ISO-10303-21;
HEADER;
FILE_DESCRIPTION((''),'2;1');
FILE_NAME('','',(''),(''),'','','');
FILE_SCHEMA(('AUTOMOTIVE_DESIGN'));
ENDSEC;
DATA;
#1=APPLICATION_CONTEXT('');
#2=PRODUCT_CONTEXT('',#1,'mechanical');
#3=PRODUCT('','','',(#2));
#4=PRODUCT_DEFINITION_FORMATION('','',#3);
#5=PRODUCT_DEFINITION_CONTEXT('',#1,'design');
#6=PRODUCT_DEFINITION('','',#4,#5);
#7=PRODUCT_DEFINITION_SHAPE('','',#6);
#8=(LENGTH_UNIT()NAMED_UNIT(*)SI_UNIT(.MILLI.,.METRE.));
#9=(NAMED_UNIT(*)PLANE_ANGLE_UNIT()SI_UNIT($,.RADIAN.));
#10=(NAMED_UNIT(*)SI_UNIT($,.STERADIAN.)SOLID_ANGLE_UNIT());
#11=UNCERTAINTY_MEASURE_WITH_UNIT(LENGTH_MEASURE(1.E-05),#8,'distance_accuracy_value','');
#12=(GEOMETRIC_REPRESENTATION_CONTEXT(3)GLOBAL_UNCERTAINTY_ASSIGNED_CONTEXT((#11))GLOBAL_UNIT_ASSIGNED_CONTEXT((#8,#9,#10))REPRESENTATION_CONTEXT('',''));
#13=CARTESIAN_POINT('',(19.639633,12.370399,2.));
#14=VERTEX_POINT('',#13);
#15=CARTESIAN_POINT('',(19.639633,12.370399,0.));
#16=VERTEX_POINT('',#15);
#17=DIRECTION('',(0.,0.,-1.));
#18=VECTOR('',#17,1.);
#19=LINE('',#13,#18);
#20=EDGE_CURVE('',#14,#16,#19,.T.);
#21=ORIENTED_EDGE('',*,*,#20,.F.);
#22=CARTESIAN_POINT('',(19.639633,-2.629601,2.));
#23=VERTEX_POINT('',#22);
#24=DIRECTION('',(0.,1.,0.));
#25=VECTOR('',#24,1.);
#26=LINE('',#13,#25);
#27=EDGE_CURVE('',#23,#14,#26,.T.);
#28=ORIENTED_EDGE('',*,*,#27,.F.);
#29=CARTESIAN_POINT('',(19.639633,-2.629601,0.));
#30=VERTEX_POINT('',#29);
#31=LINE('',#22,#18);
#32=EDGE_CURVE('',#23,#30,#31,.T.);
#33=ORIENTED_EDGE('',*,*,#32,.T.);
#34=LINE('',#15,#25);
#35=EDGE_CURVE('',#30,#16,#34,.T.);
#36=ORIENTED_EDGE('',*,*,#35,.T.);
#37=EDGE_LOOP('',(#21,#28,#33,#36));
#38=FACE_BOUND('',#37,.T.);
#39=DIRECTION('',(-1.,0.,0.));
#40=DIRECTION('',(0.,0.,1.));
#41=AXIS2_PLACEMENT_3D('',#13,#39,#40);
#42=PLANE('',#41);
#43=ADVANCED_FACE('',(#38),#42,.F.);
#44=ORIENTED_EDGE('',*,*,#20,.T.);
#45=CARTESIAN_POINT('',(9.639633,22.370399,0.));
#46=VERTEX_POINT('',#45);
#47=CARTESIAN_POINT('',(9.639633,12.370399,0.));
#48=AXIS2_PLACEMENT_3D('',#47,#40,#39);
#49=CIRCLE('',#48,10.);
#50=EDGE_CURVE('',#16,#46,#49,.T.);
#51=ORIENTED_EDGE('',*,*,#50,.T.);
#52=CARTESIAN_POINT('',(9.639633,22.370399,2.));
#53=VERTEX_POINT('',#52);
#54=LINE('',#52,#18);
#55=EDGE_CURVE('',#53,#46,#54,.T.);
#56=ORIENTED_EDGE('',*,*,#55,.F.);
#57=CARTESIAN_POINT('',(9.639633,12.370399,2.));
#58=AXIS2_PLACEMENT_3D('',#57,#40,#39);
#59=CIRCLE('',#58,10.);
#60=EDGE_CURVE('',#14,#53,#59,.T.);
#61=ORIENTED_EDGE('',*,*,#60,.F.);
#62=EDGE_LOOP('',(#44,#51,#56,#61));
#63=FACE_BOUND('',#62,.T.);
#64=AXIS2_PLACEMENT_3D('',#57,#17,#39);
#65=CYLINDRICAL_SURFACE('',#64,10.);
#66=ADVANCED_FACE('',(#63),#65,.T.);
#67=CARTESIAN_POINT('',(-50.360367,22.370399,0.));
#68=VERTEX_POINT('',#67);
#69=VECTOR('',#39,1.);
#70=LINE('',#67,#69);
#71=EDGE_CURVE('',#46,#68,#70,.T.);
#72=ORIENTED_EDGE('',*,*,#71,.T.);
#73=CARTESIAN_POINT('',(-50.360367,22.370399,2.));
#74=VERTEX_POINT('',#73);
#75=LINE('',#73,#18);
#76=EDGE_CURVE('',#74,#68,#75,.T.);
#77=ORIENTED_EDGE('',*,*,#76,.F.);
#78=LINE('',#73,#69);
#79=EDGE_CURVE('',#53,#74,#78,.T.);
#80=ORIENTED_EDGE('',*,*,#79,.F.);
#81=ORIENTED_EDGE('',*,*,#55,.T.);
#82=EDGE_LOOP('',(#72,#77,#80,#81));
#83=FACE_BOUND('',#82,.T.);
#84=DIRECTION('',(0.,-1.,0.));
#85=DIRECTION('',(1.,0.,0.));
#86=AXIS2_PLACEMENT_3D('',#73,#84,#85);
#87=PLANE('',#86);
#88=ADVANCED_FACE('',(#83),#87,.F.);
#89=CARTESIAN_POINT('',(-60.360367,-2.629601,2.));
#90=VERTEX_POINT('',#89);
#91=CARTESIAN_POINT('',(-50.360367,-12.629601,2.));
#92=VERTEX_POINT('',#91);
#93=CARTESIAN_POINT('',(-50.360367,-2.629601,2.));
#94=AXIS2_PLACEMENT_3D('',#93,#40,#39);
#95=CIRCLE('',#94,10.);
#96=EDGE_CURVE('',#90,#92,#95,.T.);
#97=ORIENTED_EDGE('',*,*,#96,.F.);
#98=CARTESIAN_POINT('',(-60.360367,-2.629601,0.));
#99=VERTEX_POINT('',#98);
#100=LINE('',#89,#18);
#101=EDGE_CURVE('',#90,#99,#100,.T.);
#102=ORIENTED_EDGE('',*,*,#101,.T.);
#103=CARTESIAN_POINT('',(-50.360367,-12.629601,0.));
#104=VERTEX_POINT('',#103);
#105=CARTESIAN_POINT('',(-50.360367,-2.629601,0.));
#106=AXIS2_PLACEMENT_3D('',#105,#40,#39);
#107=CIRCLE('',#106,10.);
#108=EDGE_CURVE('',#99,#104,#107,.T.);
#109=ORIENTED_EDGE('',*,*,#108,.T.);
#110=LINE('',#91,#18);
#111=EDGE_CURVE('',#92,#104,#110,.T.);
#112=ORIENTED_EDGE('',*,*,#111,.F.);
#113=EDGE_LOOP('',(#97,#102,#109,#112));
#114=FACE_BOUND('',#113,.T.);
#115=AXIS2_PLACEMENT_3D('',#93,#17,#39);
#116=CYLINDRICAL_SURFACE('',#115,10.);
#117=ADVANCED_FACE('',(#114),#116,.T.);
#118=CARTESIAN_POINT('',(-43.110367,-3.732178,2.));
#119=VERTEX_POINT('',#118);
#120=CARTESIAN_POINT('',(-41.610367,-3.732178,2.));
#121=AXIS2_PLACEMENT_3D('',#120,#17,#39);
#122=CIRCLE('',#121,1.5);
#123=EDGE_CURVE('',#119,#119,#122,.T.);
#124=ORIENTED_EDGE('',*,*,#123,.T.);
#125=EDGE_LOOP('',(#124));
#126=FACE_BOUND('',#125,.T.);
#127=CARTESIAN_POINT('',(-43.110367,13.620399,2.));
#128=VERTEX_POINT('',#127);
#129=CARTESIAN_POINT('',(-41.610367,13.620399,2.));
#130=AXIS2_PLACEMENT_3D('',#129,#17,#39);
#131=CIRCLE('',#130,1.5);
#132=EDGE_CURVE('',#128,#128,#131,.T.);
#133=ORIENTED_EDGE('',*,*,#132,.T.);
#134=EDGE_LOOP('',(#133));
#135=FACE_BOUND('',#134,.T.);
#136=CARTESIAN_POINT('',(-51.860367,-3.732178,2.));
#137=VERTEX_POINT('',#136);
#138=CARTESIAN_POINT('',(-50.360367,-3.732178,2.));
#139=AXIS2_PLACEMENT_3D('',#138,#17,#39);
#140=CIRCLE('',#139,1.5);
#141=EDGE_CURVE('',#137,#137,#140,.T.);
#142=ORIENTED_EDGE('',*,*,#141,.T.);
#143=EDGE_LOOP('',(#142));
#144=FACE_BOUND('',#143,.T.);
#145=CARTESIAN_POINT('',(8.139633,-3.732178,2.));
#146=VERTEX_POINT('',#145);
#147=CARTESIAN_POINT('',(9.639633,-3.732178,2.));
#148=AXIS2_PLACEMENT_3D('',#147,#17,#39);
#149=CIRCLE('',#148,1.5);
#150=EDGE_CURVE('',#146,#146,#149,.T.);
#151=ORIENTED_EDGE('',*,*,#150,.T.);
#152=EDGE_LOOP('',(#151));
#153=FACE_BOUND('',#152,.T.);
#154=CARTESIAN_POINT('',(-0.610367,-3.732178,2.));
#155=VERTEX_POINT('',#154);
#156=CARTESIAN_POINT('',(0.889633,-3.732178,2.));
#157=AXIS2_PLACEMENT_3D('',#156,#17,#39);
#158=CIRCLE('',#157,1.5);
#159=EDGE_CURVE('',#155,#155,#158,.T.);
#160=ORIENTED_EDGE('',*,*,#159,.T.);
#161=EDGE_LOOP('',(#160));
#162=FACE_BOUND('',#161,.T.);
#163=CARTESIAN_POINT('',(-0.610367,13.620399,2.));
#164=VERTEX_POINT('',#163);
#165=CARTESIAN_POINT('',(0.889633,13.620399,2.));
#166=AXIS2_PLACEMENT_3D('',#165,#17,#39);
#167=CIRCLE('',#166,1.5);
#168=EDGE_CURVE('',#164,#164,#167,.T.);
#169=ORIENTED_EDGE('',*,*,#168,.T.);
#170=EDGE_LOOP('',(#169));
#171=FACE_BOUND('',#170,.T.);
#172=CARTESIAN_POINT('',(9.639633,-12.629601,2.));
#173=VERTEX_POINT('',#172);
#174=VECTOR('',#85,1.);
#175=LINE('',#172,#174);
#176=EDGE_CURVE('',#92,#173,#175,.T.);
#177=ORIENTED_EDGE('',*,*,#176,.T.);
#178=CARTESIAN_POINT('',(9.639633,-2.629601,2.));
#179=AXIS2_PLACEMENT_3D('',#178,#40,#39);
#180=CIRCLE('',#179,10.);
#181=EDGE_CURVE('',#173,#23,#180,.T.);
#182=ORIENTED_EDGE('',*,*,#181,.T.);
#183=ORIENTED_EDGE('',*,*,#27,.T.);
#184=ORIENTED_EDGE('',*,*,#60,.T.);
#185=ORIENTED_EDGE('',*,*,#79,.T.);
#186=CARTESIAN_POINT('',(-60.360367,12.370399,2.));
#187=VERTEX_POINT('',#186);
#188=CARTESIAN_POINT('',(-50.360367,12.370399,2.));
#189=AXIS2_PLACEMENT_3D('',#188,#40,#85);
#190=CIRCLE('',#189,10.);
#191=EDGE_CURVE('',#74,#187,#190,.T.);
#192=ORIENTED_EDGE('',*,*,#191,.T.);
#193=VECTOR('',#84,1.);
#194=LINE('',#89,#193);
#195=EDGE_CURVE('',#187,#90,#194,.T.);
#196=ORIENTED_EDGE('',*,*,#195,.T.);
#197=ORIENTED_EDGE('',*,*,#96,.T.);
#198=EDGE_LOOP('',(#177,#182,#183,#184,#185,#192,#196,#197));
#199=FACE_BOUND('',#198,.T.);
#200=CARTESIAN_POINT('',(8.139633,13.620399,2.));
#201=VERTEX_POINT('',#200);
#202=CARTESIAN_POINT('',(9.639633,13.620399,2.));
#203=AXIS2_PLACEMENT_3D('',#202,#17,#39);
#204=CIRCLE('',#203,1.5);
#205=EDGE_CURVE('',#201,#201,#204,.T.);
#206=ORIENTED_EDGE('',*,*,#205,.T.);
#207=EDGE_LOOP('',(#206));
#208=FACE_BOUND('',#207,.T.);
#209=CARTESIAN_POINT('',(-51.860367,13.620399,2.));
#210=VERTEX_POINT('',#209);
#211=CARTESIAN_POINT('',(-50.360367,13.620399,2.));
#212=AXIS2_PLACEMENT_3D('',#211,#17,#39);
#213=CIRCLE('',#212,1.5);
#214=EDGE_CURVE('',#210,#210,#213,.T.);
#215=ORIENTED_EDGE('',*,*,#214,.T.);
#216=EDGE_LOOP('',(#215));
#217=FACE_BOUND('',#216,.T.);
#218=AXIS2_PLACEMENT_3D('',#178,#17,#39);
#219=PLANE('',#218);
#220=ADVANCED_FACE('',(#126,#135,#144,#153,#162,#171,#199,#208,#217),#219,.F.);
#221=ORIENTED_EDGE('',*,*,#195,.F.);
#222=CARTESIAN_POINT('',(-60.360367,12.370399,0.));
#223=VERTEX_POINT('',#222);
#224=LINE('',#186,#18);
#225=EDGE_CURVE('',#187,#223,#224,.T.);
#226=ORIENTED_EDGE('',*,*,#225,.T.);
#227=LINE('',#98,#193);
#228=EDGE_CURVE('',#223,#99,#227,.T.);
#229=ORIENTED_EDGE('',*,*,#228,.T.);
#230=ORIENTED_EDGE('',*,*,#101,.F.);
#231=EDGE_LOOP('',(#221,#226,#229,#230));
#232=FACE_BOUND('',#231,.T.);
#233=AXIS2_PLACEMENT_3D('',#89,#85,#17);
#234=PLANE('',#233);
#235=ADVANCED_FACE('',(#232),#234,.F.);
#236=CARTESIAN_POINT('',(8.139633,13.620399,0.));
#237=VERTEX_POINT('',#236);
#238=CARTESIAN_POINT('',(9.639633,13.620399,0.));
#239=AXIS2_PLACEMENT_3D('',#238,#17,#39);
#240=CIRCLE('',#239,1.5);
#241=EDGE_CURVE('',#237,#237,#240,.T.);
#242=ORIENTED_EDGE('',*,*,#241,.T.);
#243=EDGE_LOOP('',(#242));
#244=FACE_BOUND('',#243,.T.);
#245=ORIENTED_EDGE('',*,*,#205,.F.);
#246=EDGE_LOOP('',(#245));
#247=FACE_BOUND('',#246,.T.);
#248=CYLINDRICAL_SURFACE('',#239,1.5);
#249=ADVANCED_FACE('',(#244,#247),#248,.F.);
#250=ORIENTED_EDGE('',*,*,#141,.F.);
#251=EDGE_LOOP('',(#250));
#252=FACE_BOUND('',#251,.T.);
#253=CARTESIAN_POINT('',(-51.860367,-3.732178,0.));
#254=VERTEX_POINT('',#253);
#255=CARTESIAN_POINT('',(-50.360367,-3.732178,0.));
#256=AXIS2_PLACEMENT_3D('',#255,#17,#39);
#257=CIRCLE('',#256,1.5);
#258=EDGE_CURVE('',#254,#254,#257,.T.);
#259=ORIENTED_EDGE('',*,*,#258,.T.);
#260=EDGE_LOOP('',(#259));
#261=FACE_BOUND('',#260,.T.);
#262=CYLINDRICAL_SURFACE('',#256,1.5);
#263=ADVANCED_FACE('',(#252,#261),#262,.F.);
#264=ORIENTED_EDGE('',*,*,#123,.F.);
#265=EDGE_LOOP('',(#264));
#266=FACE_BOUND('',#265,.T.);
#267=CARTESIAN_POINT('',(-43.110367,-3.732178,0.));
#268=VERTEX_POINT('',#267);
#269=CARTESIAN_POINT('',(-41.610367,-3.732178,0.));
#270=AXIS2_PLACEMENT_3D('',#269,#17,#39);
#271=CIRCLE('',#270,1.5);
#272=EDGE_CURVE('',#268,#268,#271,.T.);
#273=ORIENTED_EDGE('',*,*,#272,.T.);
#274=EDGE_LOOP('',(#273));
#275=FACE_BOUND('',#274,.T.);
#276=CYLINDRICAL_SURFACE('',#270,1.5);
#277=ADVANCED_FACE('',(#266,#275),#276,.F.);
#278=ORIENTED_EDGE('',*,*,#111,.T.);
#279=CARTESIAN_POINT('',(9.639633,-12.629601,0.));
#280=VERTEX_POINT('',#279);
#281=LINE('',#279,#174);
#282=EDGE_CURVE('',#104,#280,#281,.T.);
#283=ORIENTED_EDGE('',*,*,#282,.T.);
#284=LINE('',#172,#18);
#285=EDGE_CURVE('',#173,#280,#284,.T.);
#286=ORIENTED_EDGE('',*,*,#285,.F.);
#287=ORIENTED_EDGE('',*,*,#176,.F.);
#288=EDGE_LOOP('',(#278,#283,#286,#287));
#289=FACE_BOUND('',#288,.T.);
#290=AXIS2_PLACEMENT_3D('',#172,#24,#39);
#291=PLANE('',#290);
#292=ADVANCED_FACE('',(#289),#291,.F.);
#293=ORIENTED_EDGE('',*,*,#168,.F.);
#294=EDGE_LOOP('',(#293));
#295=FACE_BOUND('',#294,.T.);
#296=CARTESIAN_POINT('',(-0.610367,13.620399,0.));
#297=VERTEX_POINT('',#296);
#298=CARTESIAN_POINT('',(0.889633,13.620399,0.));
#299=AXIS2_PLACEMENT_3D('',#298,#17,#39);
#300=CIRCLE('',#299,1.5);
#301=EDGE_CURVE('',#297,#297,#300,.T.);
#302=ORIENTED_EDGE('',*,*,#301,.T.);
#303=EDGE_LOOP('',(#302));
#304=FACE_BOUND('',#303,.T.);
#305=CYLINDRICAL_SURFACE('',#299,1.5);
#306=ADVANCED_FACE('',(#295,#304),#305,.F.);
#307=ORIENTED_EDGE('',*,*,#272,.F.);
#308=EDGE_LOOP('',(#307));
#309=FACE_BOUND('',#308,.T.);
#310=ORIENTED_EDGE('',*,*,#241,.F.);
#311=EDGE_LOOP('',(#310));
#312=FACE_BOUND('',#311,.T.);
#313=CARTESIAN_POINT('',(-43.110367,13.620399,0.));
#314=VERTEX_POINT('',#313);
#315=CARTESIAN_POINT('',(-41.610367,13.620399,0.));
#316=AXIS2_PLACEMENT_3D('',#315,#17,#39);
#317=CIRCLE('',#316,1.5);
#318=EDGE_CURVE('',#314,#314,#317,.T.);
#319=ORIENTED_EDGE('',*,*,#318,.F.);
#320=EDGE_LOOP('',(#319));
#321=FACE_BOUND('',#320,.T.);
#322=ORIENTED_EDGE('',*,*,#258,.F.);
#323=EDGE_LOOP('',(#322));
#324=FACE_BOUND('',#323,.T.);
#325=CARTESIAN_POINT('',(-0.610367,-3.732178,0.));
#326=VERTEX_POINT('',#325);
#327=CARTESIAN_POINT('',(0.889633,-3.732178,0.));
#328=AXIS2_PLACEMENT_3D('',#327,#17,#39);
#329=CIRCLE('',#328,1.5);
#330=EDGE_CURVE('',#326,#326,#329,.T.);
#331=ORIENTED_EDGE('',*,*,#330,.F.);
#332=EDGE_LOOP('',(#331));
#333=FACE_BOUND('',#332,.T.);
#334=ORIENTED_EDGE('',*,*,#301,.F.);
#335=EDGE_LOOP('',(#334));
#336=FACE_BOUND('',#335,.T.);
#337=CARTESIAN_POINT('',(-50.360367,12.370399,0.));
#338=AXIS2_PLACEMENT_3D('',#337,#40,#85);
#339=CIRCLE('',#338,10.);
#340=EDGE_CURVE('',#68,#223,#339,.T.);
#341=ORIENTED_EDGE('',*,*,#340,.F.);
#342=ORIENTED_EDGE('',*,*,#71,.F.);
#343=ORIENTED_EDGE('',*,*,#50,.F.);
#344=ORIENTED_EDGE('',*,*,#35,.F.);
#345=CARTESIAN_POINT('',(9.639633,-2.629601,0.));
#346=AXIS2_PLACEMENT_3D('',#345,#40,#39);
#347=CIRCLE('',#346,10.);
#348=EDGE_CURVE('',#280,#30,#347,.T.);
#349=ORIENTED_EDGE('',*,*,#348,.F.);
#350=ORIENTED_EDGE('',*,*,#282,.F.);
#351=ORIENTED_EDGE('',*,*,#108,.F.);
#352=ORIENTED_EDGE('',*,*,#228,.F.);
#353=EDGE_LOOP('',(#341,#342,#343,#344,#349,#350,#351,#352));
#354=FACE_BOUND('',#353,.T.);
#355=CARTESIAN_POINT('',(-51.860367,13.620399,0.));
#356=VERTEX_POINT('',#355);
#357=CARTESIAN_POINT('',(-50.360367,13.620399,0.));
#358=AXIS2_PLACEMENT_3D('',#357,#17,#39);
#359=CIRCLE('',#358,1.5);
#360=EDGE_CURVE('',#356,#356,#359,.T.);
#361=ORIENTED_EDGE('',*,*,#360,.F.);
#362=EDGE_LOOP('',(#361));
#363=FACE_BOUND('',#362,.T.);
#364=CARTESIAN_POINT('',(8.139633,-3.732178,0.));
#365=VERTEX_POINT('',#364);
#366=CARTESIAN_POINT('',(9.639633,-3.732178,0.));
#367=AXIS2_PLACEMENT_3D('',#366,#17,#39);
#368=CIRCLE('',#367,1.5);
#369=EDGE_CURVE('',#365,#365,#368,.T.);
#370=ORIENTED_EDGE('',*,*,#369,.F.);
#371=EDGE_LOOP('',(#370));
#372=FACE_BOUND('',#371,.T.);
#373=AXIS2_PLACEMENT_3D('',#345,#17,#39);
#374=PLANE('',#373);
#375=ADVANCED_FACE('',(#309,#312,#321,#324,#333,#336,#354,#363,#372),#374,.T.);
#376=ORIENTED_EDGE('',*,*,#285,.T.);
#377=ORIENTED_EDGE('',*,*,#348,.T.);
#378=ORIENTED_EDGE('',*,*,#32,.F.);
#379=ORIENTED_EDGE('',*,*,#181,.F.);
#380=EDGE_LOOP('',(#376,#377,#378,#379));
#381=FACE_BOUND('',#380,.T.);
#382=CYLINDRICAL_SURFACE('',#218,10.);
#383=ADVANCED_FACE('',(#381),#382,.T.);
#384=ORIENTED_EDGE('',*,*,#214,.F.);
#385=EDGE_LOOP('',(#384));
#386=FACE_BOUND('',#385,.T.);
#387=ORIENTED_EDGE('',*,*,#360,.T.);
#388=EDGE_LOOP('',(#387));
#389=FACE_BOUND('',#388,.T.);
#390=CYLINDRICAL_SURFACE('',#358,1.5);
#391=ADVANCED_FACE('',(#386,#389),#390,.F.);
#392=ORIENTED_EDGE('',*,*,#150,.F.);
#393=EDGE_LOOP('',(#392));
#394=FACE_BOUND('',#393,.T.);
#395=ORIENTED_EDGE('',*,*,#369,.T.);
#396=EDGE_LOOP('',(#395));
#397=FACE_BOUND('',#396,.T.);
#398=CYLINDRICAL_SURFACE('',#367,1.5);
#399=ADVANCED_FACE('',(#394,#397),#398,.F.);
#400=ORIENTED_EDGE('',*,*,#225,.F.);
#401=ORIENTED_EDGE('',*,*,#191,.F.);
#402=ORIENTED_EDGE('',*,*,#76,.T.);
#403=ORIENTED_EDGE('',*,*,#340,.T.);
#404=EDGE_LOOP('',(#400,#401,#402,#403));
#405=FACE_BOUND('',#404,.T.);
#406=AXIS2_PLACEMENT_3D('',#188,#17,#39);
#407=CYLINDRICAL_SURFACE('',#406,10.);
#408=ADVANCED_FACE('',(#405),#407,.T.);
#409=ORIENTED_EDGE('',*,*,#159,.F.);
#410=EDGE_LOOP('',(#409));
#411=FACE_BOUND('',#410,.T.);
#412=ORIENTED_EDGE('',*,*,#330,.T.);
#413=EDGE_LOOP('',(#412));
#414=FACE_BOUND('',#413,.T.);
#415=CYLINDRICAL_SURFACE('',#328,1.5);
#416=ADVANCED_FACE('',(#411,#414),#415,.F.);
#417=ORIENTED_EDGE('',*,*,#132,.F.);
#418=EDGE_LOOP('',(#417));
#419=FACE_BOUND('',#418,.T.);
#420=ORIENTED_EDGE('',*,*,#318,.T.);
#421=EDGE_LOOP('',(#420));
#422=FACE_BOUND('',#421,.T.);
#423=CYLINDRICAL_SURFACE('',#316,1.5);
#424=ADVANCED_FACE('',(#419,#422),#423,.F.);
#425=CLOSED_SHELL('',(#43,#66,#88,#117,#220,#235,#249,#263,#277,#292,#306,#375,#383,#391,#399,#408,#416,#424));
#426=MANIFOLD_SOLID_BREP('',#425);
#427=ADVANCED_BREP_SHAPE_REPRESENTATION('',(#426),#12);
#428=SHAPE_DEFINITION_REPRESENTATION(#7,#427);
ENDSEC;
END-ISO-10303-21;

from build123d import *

# Parameters (mm, degrees)
EXTRUDE_1_DEPTH = 2
MM_2_D          = 3
MM_3_D          = 3


with BuildPart() as part:
    # 草图2 → 凸台-拉伸1 (new body)
    with BuildSketch(Plane.XY):
        with BuildLine():
            Line((-50.360367403, 22.370399323), (9.639632597, 22.370399323))
            ThreePointArc((9.639632597, 22.370399323), (16.710700409, 19.441467134), (19.639632597, 12.370399323))
            Line((19.639632597, 12.370399323), (19.639632597, -2.629600677))
            ThreePointArc((19.639632597, -2.629600677), (16.710700409, -9.700668489), (9.639632597, -12.629600677))
            Line((9.639632597, -12.629600677), (-50.360367403, -12.629600677))
            ThreePointArc((-50.360367403, -12.629600677), (-57.431435215, -9.700668489), (-60.360367403, -2.629600677))
            Line((-60.360367403, -2.629600677), (-60.360367403, 12.370399323))
            ThreePointArc((-60.360367403, 12.370399323), (-57.431435215, 19.441467134), (-50.360367403, 22.370399323))
        make_face()
    extrude(amount=EXTRUDE_1_DEPTH)

    # 大小mm 暗销孔2 (through all)
    with Locations(Plane(origin=(-41.610367403, 13.620399323, 0), x_dir=(-1, 0, 0), z_dir=(0, 0, -1))):
        with Locations((0, 0), (8.75, 0), (0, -17.352577314), (8.75, -17.352577314)):
            Hole(MM_2_D / 2)

    # 大小mm 暗销孔3 (through all)
    with Locations(Plane(origin=(9.639632597, 13.620399323, 0), x_dir=(-1, 0, 0), z_dir=(0, 0, -1))):
        with Locations((0, 0), (8.75, 0), (8.75, -17.352577314), (0, -17.352577314)):
            Hole(MM_3_D / 2)


solid = part.part
